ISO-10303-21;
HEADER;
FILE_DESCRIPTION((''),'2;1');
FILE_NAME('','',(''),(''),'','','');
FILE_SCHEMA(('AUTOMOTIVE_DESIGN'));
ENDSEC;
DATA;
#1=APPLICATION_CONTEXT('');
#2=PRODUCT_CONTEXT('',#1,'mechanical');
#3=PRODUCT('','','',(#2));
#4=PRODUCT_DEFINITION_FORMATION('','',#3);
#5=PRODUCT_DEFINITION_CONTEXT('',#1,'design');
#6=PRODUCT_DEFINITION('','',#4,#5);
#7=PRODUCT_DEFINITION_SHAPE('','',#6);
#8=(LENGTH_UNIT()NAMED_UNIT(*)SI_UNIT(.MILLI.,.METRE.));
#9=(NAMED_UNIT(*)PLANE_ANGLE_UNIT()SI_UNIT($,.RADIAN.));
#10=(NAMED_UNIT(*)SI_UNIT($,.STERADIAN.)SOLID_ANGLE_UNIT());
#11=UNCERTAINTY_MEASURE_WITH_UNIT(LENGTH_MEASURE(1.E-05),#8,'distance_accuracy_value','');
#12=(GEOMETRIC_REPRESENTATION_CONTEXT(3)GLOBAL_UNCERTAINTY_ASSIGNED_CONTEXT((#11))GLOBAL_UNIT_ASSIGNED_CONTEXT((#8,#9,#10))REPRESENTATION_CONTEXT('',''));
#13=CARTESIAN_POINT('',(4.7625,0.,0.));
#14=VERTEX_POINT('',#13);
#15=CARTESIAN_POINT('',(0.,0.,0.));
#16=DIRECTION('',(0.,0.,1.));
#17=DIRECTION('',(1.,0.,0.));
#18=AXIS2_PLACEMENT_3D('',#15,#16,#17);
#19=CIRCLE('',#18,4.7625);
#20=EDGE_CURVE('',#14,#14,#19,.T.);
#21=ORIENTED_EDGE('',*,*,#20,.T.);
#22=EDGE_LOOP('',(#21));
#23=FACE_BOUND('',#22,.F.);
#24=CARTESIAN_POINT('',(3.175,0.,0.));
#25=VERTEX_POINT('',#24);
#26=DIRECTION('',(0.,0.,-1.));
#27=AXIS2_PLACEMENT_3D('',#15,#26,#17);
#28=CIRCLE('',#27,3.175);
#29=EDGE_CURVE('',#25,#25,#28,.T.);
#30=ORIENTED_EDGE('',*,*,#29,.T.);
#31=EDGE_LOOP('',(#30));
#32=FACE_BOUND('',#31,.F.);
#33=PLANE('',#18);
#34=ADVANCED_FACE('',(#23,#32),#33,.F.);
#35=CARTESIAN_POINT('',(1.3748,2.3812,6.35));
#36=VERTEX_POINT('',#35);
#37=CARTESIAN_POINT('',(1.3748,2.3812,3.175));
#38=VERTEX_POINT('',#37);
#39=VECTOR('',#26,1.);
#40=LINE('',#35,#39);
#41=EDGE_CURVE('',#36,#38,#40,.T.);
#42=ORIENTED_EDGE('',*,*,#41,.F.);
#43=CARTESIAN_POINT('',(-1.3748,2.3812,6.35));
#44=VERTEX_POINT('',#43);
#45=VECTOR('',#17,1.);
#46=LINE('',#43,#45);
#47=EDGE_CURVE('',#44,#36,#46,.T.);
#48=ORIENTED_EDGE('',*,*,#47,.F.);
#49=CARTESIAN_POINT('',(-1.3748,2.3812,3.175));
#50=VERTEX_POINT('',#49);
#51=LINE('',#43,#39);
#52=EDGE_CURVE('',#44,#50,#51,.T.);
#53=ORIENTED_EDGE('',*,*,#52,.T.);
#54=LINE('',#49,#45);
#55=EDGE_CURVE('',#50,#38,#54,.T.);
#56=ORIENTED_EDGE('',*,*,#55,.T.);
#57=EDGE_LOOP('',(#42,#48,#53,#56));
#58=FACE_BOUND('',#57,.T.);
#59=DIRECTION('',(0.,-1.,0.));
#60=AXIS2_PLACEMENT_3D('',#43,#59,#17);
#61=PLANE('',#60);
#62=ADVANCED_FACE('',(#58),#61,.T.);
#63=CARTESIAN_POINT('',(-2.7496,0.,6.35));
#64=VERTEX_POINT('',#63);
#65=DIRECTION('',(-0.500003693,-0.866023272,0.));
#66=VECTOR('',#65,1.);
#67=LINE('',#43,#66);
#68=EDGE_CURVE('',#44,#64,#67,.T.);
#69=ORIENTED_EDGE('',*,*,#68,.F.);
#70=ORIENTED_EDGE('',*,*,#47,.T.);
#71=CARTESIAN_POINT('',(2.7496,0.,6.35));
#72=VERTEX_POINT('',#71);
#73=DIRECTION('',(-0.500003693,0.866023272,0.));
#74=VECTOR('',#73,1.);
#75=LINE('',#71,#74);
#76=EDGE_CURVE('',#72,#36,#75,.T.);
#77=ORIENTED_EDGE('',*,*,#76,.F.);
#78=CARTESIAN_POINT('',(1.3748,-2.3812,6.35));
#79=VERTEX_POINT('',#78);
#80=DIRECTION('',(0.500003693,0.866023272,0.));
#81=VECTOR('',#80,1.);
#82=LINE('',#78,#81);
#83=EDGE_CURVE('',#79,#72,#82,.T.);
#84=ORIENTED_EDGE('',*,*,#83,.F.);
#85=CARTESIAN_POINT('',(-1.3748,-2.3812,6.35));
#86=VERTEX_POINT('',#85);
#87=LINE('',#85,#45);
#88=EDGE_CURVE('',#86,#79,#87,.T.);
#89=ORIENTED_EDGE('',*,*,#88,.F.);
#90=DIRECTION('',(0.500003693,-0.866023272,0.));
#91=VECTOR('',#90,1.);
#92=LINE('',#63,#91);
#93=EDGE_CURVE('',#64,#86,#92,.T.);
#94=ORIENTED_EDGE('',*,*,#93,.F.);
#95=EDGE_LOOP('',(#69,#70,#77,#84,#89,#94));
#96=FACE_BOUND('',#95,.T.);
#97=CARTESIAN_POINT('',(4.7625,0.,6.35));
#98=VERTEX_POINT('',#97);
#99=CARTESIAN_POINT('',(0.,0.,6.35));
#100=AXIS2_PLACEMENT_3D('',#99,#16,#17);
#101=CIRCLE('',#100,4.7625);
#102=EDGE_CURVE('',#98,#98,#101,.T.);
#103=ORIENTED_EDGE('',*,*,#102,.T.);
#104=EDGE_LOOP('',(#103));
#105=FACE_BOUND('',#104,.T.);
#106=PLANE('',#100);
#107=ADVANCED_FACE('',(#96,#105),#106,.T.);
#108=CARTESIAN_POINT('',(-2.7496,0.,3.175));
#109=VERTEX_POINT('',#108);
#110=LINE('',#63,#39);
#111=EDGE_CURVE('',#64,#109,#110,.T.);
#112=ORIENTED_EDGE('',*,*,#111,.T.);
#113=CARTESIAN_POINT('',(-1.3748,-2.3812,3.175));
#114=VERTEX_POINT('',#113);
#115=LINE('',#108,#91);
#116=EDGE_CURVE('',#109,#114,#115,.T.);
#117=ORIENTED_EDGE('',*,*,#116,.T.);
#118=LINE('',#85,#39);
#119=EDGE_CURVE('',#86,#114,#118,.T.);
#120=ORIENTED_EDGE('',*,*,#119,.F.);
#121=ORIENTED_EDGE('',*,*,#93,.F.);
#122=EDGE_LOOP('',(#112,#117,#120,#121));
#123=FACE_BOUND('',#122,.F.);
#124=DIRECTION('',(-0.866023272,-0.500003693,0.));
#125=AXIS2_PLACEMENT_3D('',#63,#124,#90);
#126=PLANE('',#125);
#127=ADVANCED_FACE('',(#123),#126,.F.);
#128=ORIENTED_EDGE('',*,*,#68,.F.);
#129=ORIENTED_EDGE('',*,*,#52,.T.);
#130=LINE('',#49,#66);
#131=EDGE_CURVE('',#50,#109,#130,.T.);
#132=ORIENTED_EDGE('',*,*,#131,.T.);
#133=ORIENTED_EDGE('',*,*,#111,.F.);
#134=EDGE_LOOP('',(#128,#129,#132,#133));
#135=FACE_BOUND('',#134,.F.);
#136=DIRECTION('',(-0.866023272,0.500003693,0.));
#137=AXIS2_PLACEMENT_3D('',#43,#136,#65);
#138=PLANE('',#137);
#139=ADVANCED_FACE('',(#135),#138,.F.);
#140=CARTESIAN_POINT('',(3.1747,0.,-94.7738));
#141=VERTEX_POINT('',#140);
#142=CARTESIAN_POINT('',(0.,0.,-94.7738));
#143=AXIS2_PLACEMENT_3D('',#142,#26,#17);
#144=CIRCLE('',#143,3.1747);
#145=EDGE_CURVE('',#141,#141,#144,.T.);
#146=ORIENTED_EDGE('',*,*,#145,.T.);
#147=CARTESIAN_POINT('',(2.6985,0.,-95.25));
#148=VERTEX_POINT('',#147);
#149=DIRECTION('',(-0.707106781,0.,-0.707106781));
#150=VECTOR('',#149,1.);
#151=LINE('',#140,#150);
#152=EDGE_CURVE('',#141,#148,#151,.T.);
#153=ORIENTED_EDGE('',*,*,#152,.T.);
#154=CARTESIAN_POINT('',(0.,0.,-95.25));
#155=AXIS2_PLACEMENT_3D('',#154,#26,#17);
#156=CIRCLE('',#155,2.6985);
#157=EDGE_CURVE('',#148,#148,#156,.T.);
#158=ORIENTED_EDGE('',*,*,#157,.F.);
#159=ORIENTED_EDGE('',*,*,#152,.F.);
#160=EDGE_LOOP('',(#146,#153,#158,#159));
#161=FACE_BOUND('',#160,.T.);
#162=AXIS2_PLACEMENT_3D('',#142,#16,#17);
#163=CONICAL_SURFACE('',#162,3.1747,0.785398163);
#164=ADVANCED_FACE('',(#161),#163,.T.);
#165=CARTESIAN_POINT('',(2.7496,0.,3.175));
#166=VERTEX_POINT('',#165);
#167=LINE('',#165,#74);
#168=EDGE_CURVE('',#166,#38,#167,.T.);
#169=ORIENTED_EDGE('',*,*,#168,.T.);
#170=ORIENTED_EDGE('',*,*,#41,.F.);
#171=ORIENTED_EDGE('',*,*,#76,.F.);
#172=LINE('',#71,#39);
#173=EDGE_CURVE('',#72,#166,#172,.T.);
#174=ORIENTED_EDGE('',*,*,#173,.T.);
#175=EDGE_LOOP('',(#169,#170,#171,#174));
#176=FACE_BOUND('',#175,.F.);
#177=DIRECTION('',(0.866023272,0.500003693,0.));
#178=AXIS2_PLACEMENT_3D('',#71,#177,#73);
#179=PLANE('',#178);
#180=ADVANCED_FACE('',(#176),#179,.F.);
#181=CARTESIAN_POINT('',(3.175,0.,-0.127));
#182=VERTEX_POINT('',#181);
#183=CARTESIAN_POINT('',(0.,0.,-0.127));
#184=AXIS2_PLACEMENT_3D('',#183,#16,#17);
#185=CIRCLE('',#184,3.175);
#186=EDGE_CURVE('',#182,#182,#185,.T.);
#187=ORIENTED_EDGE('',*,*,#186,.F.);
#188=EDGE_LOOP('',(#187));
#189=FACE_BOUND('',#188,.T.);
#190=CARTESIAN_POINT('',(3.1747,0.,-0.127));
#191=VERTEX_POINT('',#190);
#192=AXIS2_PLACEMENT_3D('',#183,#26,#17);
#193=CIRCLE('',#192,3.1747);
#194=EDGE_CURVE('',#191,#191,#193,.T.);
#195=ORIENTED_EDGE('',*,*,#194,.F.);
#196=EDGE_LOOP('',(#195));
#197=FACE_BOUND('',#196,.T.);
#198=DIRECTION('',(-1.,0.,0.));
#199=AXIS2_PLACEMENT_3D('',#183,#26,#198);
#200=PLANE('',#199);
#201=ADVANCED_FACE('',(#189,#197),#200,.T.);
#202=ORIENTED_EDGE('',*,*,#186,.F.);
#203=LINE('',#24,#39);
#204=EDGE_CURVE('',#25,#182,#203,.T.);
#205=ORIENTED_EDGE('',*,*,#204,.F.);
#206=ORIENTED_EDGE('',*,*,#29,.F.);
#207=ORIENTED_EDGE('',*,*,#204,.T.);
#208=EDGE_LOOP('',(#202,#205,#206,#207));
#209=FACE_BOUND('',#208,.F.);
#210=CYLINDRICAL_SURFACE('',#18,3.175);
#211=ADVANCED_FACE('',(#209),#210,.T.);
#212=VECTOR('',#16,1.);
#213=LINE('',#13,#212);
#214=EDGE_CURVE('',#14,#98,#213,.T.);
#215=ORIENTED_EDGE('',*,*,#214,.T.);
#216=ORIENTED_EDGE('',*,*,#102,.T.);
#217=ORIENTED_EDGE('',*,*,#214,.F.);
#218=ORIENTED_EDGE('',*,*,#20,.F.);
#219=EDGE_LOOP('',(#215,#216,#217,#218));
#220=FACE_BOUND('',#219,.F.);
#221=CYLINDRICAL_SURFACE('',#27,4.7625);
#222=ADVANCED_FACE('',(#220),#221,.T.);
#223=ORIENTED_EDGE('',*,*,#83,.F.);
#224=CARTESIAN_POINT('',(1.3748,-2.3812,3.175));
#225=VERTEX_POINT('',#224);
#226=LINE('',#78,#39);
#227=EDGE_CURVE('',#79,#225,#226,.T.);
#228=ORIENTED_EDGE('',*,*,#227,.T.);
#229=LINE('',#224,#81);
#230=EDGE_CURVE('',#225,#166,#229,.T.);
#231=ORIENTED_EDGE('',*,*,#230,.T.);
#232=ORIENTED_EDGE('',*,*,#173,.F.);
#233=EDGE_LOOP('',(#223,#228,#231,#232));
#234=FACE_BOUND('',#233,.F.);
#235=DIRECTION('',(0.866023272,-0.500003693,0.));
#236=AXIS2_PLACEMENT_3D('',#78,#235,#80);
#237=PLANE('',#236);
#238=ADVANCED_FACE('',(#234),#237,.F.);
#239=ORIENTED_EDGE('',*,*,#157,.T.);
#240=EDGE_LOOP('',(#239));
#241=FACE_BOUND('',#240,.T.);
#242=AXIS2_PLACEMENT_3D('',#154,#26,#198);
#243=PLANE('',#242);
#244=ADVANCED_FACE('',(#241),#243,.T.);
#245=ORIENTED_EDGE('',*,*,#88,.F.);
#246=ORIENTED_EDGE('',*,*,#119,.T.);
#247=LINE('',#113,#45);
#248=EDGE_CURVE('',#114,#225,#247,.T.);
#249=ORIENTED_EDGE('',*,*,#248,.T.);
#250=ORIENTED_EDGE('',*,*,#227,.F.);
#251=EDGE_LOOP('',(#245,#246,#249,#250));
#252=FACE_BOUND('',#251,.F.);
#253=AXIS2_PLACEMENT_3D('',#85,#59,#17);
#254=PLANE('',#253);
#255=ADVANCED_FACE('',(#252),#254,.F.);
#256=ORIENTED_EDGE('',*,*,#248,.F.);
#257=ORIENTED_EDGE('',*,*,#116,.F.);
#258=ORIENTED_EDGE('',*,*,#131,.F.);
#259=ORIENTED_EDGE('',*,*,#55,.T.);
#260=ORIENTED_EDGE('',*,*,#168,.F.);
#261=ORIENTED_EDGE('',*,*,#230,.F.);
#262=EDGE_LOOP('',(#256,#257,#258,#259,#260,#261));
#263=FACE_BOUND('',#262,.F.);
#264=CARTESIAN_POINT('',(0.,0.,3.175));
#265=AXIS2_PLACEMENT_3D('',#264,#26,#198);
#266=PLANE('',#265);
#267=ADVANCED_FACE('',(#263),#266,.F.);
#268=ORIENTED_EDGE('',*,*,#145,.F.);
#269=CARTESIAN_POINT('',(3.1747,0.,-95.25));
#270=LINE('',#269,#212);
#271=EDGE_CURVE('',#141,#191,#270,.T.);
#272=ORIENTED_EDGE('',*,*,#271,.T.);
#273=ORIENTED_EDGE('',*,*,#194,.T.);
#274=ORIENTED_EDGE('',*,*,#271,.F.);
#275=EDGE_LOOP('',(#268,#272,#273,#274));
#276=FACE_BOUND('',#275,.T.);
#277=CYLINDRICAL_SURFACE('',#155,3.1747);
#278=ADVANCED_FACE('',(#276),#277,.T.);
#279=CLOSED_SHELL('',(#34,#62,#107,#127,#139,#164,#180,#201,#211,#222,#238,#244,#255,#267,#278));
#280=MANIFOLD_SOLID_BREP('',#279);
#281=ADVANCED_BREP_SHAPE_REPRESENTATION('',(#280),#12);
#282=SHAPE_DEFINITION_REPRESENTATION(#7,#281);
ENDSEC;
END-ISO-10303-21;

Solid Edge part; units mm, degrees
sketch "Sketch1" plane through (0, 0, 0) normal (0, 0, 1) x (1, 0, 0)
  circle A0 centre (0, 0) radius 4.7625
  dimension "D1" = 9.525
extrude "Protrusion1" add sketch "Sketch1" along normal blind 6.35
sketch "Sketch2" plane through (0, 0, 0) normal (0, 0, -1) x (1, 0, 0)
  circle A0 centre (0, 0) radius 3.175
extrude "Protrusion2" add sketch "Sketch2" along normal blind 95.25
sketch "Sketch3" plane through (0, 0, -95.25) normal (0, 0, -1) x (1, 0, 0)
  circle A0 centre (0, 0) radius 3.1747
extrude "Cutout1" cut sketch "Sketch3" against normal blind 95.123 flip side to cut
chamfer "Chamfer_1" distance 0.4762 angle 45 1 edges at (-3.1747, 0, -95.25)
sketch "Sketch4" plane through (0, 0, 6.35) normal (0, 0, 1) x (1, 0, 0)
  line L0 (-1.3748, 2.3812) -> (1.3748, 2.3812)
  line L1 (2.7496, 0) -> (1.3748, 2.3812)
  line L2 (1.3748, -2.3812) -> (2.7496, 0)
  line L3 (-1.3748, -2.3812) -> (1.3748, -2.3812)
  line L4 (-2.7496, 0) -> (-1.3748, -2.3812)
  line L5 (-1.3748, 2.3812) -> (-2.7496, 0)
  dimension "D1" = 4.7625
extrude "Cutout2" cut sketch "Sketch4" against normal blind 3.175
properties part number "143246"
